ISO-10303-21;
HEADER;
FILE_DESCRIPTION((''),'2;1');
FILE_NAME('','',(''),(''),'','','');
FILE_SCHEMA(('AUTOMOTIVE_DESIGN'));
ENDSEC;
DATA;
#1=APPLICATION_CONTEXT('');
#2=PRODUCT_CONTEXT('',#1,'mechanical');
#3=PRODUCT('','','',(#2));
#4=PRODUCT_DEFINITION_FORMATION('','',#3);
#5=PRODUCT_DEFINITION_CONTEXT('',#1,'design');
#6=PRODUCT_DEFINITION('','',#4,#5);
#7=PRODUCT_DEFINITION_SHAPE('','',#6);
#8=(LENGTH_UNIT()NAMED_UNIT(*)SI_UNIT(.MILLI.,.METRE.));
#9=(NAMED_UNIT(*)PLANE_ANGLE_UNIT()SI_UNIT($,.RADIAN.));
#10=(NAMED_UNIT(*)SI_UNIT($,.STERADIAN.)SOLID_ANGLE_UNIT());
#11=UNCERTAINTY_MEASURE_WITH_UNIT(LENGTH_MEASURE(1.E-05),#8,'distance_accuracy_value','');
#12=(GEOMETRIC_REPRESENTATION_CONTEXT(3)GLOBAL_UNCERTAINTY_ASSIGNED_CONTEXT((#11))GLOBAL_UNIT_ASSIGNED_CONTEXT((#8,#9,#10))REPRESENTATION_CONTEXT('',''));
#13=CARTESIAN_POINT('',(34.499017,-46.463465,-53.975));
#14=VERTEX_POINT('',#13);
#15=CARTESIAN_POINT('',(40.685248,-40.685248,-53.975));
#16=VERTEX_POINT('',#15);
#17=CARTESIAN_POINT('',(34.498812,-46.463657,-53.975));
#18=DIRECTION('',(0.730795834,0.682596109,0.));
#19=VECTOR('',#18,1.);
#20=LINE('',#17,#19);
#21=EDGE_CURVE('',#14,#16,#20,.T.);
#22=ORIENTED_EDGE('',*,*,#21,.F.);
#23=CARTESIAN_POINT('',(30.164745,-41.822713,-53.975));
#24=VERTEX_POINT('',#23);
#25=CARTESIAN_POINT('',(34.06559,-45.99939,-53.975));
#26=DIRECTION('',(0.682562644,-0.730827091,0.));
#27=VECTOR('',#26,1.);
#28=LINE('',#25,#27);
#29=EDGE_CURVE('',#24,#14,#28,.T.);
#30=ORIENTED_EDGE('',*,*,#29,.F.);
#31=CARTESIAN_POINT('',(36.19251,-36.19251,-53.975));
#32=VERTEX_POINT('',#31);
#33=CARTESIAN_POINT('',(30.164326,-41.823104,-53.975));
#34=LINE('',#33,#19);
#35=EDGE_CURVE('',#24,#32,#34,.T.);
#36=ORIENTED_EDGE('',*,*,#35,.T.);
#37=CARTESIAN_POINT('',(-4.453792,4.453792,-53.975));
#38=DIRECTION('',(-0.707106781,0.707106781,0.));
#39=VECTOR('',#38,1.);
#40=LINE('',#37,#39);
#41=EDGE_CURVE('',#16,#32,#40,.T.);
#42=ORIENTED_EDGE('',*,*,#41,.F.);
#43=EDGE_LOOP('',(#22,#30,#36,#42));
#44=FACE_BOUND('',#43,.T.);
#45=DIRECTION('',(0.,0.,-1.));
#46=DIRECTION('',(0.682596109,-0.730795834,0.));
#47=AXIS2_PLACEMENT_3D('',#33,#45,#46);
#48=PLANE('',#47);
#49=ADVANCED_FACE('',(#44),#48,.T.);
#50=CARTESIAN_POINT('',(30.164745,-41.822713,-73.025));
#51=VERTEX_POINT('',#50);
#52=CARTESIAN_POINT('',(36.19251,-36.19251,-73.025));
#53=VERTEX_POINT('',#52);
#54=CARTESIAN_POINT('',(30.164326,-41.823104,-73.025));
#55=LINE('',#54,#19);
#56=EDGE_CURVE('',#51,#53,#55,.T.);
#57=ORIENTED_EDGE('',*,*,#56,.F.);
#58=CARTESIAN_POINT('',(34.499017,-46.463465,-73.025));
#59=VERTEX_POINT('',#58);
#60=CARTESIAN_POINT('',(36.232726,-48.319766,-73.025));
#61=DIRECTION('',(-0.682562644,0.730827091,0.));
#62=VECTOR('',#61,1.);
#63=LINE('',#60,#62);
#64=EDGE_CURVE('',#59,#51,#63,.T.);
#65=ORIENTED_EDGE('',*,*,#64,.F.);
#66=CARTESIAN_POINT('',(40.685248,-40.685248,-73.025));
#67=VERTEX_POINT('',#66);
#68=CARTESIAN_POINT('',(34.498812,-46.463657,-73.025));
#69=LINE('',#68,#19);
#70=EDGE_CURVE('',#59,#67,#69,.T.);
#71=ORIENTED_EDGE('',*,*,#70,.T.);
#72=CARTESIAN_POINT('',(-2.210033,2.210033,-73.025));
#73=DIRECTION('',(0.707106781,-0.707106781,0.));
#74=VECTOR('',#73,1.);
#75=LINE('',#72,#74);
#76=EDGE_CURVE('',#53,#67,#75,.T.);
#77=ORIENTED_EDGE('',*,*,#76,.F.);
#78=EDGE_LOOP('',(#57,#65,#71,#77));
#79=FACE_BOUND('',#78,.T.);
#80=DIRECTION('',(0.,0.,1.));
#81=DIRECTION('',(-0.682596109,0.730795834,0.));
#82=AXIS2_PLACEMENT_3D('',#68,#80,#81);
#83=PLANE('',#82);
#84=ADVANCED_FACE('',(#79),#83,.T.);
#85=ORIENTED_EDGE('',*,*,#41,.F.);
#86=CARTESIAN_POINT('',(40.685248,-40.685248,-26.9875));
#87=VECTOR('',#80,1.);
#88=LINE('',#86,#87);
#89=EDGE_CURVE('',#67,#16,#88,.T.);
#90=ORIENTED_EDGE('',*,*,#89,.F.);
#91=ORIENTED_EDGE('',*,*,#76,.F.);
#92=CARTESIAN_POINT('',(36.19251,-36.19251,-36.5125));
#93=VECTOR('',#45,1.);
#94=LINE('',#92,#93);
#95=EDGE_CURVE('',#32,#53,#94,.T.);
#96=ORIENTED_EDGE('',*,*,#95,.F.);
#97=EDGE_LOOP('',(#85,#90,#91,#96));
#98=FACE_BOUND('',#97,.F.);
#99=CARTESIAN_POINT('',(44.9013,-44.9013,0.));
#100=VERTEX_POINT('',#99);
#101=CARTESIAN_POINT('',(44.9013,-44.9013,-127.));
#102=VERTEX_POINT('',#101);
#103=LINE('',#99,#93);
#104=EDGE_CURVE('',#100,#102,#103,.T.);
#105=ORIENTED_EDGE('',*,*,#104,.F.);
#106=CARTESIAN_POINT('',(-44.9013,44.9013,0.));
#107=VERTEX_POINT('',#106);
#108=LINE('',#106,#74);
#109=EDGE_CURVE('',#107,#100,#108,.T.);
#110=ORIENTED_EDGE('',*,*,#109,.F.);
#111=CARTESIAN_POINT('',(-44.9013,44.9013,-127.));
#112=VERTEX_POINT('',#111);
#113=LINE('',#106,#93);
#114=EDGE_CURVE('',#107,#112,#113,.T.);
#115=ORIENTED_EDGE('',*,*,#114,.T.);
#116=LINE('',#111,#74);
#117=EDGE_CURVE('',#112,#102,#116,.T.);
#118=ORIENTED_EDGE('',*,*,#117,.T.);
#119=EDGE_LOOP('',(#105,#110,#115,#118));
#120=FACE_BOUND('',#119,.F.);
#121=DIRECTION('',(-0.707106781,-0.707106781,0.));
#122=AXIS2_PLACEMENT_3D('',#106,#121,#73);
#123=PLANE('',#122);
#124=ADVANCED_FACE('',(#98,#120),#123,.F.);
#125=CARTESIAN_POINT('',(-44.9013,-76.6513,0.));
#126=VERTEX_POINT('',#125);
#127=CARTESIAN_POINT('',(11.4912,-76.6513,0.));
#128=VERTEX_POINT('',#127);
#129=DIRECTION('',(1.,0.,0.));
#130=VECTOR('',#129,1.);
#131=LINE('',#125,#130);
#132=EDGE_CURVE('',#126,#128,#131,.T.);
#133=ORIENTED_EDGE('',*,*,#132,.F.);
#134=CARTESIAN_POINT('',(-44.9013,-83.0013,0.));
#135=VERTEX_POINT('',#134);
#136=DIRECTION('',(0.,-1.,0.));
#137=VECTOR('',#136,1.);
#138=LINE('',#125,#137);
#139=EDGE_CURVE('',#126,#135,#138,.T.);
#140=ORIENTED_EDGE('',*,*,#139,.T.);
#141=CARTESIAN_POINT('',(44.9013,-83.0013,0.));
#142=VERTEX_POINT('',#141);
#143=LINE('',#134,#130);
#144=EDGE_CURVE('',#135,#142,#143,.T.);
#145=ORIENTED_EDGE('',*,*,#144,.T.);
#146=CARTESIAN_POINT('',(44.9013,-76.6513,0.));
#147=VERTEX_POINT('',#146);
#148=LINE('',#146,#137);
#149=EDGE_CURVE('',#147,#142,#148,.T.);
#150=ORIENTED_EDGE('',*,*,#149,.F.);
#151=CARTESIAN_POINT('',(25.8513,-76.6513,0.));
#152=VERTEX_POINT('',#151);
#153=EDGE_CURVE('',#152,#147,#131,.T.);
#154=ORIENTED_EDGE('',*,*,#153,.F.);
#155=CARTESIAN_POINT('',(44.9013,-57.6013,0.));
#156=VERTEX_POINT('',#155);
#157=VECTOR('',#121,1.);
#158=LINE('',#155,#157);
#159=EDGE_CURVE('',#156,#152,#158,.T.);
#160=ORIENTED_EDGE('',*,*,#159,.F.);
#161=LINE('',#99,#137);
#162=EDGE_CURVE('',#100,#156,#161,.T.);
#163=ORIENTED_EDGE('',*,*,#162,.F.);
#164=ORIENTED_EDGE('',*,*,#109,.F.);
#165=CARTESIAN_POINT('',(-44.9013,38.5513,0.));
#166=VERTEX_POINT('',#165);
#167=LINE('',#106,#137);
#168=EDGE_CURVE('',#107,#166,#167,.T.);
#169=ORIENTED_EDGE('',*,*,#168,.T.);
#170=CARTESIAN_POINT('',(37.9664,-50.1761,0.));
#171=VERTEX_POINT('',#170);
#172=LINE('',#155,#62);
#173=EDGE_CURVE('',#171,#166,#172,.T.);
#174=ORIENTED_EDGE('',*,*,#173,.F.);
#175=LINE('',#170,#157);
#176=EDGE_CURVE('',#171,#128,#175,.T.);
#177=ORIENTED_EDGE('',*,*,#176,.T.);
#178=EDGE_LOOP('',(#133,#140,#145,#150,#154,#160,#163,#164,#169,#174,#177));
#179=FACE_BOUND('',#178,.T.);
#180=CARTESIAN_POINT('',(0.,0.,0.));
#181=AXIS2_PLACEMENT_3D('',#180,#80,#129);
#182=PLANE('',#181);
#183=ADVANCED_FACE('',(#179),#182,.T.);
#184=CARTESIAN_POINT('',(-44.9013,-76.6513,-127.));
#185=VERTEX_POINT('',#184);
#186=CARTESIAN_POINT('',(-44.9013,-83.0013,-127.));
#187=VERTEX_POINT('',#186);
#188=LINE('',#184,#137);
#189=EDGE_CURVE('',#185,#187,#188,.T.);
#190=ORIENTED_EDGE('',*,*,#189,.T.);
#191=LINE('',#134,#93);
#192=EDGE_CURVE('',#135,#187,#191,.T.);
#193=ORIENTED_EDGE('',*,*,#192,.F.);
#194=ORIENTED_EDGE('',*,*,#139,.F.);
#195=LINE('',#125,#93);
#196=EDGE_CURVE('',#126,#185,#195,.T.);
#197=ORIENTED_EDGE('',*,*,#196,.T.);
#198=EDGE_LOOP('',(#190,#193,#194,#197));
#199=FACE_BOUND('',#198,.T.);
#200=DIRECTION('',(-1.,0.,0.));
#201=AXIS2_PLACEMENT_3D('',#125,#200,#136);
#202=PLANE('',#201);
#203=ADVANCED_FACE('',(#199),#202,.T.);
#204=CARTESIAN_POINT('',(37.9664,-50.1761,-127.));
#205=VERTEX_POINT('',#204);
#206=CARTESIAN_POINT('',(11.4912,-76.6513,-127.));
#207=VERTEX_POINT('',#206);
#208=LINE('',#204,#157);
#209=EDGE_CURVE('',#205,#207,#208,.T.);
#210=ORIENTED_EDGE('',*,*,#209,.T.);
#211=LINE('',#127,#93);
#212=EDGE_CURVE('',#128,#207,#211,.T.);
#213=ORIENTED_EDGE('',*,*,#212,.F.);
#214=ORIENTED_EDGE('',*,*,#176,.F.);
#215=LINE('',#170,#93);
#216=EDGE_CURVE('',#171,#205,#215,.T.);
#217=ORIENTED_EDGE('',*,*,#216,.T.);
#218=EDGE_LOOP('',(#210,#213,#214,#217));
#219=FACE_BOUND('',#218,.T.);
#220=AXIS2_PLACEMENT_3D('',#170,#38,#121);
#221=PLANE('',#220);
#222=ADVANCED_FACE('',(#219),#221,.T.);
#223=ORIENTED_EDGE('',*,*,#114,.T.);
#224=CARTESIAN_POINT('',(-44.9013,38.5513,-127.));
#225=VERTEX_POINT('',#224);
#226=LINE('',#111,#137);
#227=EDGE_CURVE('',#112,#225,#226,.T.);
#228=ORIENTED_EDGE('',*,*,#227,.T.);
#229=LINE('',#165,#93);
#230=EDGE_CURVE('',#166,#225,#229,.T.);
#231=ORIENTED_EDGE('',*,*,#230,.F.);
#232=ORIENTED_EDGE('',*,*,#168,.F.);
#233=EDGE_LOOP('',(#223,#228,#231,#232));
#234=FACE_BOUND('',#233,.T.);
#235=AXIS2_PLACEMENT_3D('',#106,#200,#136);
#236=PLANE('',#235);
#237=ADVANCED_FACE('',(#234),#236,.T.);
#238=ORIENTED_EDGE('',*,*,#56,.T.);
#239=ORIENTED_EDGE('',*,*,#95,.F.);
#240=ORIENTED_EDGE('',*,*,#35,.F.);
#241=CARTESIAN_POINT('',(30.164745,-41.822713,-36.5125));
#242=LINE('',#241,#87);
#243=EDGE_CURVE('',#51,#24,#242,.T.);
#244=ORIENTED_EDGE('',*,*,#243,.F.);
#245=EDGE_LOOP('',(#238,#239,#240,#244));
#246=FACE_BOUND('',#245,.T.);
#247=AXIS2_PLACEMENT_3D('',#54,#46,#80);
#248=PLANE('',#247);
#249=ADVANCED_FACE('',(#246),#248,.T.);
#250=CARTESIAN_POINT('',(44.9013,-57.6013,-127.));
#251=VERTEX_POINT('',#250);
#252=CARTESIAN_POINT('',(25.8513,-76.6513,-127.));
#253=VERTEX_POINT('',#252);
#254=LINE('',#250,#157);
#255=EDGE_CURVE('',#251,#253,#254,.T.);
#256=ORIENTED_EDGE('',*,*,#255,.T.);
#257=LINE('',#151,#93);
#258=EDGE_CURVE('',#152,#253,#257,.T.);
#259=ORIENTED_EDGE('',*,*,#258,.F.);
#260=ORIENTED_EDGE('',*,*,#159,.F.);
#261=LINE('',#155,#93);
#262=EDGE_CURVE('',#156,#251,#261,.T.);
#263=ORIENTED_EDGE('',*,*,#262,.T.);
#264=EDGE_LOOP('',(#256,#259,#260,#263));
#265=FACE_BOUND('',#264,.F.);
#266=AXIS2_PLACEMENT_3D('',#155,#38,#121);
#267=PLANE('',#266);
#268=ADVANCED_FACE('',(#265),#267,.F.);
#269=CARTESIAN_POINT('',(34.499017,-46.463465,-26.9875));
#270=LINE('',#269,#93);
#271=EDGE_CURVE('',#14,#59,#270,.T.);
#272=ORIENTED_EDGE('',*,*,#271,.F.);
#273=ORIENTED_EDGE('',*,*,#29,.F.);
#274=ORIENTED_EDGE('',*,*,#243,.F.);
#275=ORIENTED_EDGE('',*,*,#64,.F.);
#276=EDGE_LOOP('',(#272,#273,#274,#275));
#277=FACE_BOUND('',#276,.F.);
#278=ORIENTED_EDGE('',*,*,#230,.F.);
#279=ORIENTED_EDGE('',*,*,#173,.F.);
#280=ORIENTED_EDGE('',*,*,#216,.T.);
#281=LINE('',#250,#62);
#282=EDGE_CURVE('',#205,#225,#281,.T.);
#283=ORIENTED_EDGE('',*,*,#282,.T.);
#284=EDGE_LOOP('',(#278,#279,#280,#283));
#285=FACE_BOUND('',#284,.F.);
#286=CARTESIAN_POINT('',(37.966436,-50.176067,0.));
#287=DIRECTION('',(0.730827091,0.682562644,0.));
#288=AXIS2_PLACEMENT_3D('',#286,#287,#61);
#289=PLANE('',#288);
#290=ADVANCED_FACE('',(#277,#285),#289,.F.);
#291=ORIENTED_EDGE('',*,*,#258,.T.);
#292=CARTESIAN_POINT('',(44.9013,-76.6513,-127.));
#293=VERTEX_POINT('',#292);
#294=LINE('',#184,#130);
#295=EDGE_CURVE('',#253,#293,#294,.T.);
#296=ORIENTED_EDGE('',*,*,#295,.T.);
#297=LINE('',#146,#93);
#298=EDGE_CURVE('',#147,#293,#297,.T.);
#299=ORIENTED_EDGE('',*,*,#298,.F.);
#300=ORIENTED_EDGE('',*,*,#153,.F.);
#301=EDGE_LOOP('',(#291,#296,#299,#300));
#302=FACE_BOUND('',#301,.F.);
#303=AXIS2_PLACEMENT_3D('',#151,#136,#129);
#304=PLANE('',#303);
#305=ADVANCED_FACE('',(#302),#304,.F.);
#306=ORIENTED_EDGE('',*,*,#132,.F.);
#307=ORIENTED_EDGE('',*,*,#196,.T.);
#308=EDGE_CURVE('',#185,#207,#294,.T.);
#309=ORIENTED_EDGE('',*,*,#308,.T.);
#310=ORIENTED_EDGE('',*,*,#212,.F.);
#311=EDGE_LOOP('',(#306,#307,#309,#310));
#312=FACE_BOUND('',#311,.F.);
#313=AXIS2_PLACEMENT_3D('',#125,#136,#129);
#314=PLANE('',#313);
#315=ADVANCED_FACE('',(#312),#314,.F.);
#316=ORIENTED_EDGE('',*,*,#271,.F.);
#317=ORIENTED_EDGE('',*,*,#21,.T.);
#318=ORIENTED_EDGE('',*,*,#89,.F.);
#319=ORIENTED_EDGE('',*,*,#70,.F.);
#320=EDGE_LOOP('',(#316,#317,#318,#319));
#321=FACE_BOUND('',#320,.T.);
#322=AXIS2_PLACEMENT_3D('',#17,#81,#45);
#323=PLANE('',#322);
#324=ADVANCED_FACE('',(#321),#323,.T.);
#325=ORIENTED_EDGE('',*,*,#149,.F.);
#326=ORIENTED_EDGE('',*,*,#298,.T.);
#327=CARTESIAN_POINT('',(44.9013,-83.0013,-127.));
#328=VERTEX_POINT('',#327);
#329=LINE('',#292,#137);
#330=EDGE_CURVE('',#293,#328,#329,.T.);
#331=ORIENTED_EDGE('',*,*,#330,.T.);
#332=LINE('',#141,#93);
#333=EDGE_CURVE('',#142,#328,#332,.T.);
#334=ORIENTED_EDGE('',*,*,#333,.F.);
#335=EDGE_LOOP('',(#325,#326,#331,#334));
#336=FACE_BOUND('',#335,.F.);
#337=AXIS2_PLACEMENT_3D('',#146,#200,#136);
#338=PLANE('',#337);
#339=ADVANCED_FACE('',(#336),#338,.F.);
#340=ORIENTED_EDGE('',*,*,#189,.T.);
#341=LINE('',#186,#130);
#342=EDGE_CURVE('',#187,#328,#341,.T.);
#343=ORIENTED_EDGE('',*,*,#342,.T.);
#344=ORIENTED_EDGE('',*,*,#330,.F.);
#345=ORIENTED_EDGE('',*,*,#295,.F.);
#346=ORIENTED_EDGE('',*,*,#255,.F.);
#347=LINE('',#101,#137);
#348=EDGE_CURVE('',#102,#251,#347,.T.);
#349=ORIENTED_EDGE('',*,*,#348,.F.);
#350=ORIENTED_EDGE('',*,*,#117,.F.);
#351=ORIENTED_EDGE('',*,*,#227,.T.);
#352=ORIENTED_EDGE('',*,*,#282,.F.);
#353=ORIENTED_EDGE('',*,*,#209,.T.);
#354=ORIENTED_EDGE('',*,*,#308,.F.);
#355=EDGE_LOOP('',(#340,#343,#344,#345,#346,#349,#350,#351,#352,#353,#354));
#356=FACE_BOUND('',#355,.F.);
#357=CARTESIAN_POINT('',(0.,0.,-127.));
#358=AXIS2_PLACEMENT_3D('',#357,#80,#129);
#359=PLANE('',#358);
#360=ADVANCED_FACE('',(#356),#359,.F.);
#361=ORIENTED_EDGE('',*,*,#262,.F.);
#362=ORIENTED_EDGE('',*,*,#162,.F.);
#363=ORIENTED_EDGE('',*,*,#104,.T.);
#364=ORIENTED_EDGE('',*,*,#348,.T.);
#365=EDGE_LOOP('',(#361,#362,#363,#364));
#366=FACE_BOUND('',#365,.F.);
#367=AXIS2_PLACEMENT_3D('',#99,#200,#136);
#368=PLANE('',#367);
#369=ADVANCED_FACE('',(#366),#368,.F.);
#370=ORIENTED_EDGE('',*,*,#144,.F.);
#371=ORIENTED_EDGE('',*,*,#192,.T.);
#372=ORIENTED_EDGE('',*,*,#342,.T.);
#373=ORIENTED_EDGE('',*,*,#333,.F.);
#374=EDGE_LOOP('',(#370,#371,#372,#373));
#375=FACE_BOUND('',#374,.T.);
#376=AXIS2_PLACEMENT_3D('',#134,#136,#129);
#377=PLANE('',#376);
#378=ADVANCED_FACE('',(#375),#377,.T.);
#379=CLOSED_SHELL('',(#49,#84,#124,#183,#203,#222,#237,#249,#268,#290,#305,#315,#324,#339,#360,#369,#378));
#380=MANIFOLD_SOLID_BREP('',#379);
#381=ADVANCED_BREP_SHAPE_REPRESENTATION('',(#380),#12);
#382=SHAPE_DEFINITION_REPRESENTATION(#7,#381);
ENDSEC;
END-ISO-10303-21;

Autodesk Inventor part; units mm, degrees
ref_plane "YZ Plane" through (0, 0, 0) normal (1, 0, 0) x (0, 1, 0)
ref_plane "XZ Plane" through (0, 0, 0) normal (0, 1, 0) x (-1, 0, 0)
ref_plane "XY Plane" through (0, 0, 0) normal (0, 0, 1) x (1, 0, 0)
sketch "Sketch1" plane through (0, 0, 0) normal (0, 0, 1) x (1, 0, 0)
  line L0 (-44.9013, 44.9013) -> (44.9013, -44.9013)
  line L1 (-44.9013, 44.9013) -> (82.0987, 44.9013) construction
  line L2 (-44.9013, 44.9013) -> (-44.9013, 38.5513)
  line L3 (44.9013, -44.9013) -> (44.9013, -57.6013)
  line L4 (44.9013, -57.6013) -> (-44.9013, 38.5513)
  line L5 (44.9013, -57.6013) -> (44.9013, -76.6513) construction
  line L6 (-44.9013, 38.5513) -> (-44.9013, -76.6513) construction
  line L7 (-44.9013, 38.5513) -> (70.3013, 38.5513) construction
  line L8 (-44.9013, -76.6513) -> (44.9013, -76.6513)
  line L9 (-44.9013, -76.6513) -> (-44.9013, -83.0013)
  line L10 (44.9013, -76.6513) -> (44.9013, -83.0013)
  line L11 (44.9013, -76.6513) -> (51.2513, -76.6513) construction
  line L12 (-44.9013, -83.0013) -> (44.9013, -83.0013)
  line L13 (44.9013, -57.6013) -> (25.8513, -76.6513)
  line L14 (44.9013, -57.6013) -> (71.842, -57.6013) construction
  line L15 (44.9013, -57.6013) -> (37.9664, -50.1761) construction
  line L16 (37.9664, -50.1761) -> (11.4912, -76.6513)
  line L17 (37.9664, -50.1761) -> (75.408, -50.1761) construction
  point P0 (0, 0)
  point P1 (0, 0)
  dimension "d0" = 127
  dimension "d1" = 45
  dimension "d2" = 6.35
  dimension "d4" = 19.05
  dimension "d5" = 12.7
  dimension "d6" = 90
  dimension "d7" = 6.35
  dimension "d8" = 90
  dimension "d9" = 135
  dimension "d10" = 10.16
  dimension "d11" = 135
extrude "Extrusion1" add sketch "Sketch1" against normal blind 127
sketch "Sketch4" plane through (37.9664, -50.1761, -127) normal (-0.7308, -0.6826, 0) x (0, 0, 1)
  line L0 (0, -1.2778) -> (0, 0) projected
  line L1 (127, 0) -> (127, -1.2778) projected
  line L2 (0, 0) -> (127, 0) construction
  line L3 (127, 0) -> (0, 0) projected
  line L4 (63.5, 0) -> (63.5, 5.08) construction
  line L5 (63.5, 0) -> (68.58, 0) construction
  line L6 (53.975, 11.43) -> (73.025, 11.43)
  line L7 (73.025, 11.43) -> (73.025, 5.08)
  line L8 (73.025, 5.08) -> (53.975, 5.08)
  line L9 (53.975, 5.08) -> (53.975, 11.43)
  point P0 (127, 62.5845)
  dimension "d22" = 5.08
  dimension "d23" = 90
  dimension "d24" = 19.05
  dimension "d25" = 6.35
extrude "Extrusion4" cut sketch "Sketch4" against normal up to next
properties part number "proto_1b"
